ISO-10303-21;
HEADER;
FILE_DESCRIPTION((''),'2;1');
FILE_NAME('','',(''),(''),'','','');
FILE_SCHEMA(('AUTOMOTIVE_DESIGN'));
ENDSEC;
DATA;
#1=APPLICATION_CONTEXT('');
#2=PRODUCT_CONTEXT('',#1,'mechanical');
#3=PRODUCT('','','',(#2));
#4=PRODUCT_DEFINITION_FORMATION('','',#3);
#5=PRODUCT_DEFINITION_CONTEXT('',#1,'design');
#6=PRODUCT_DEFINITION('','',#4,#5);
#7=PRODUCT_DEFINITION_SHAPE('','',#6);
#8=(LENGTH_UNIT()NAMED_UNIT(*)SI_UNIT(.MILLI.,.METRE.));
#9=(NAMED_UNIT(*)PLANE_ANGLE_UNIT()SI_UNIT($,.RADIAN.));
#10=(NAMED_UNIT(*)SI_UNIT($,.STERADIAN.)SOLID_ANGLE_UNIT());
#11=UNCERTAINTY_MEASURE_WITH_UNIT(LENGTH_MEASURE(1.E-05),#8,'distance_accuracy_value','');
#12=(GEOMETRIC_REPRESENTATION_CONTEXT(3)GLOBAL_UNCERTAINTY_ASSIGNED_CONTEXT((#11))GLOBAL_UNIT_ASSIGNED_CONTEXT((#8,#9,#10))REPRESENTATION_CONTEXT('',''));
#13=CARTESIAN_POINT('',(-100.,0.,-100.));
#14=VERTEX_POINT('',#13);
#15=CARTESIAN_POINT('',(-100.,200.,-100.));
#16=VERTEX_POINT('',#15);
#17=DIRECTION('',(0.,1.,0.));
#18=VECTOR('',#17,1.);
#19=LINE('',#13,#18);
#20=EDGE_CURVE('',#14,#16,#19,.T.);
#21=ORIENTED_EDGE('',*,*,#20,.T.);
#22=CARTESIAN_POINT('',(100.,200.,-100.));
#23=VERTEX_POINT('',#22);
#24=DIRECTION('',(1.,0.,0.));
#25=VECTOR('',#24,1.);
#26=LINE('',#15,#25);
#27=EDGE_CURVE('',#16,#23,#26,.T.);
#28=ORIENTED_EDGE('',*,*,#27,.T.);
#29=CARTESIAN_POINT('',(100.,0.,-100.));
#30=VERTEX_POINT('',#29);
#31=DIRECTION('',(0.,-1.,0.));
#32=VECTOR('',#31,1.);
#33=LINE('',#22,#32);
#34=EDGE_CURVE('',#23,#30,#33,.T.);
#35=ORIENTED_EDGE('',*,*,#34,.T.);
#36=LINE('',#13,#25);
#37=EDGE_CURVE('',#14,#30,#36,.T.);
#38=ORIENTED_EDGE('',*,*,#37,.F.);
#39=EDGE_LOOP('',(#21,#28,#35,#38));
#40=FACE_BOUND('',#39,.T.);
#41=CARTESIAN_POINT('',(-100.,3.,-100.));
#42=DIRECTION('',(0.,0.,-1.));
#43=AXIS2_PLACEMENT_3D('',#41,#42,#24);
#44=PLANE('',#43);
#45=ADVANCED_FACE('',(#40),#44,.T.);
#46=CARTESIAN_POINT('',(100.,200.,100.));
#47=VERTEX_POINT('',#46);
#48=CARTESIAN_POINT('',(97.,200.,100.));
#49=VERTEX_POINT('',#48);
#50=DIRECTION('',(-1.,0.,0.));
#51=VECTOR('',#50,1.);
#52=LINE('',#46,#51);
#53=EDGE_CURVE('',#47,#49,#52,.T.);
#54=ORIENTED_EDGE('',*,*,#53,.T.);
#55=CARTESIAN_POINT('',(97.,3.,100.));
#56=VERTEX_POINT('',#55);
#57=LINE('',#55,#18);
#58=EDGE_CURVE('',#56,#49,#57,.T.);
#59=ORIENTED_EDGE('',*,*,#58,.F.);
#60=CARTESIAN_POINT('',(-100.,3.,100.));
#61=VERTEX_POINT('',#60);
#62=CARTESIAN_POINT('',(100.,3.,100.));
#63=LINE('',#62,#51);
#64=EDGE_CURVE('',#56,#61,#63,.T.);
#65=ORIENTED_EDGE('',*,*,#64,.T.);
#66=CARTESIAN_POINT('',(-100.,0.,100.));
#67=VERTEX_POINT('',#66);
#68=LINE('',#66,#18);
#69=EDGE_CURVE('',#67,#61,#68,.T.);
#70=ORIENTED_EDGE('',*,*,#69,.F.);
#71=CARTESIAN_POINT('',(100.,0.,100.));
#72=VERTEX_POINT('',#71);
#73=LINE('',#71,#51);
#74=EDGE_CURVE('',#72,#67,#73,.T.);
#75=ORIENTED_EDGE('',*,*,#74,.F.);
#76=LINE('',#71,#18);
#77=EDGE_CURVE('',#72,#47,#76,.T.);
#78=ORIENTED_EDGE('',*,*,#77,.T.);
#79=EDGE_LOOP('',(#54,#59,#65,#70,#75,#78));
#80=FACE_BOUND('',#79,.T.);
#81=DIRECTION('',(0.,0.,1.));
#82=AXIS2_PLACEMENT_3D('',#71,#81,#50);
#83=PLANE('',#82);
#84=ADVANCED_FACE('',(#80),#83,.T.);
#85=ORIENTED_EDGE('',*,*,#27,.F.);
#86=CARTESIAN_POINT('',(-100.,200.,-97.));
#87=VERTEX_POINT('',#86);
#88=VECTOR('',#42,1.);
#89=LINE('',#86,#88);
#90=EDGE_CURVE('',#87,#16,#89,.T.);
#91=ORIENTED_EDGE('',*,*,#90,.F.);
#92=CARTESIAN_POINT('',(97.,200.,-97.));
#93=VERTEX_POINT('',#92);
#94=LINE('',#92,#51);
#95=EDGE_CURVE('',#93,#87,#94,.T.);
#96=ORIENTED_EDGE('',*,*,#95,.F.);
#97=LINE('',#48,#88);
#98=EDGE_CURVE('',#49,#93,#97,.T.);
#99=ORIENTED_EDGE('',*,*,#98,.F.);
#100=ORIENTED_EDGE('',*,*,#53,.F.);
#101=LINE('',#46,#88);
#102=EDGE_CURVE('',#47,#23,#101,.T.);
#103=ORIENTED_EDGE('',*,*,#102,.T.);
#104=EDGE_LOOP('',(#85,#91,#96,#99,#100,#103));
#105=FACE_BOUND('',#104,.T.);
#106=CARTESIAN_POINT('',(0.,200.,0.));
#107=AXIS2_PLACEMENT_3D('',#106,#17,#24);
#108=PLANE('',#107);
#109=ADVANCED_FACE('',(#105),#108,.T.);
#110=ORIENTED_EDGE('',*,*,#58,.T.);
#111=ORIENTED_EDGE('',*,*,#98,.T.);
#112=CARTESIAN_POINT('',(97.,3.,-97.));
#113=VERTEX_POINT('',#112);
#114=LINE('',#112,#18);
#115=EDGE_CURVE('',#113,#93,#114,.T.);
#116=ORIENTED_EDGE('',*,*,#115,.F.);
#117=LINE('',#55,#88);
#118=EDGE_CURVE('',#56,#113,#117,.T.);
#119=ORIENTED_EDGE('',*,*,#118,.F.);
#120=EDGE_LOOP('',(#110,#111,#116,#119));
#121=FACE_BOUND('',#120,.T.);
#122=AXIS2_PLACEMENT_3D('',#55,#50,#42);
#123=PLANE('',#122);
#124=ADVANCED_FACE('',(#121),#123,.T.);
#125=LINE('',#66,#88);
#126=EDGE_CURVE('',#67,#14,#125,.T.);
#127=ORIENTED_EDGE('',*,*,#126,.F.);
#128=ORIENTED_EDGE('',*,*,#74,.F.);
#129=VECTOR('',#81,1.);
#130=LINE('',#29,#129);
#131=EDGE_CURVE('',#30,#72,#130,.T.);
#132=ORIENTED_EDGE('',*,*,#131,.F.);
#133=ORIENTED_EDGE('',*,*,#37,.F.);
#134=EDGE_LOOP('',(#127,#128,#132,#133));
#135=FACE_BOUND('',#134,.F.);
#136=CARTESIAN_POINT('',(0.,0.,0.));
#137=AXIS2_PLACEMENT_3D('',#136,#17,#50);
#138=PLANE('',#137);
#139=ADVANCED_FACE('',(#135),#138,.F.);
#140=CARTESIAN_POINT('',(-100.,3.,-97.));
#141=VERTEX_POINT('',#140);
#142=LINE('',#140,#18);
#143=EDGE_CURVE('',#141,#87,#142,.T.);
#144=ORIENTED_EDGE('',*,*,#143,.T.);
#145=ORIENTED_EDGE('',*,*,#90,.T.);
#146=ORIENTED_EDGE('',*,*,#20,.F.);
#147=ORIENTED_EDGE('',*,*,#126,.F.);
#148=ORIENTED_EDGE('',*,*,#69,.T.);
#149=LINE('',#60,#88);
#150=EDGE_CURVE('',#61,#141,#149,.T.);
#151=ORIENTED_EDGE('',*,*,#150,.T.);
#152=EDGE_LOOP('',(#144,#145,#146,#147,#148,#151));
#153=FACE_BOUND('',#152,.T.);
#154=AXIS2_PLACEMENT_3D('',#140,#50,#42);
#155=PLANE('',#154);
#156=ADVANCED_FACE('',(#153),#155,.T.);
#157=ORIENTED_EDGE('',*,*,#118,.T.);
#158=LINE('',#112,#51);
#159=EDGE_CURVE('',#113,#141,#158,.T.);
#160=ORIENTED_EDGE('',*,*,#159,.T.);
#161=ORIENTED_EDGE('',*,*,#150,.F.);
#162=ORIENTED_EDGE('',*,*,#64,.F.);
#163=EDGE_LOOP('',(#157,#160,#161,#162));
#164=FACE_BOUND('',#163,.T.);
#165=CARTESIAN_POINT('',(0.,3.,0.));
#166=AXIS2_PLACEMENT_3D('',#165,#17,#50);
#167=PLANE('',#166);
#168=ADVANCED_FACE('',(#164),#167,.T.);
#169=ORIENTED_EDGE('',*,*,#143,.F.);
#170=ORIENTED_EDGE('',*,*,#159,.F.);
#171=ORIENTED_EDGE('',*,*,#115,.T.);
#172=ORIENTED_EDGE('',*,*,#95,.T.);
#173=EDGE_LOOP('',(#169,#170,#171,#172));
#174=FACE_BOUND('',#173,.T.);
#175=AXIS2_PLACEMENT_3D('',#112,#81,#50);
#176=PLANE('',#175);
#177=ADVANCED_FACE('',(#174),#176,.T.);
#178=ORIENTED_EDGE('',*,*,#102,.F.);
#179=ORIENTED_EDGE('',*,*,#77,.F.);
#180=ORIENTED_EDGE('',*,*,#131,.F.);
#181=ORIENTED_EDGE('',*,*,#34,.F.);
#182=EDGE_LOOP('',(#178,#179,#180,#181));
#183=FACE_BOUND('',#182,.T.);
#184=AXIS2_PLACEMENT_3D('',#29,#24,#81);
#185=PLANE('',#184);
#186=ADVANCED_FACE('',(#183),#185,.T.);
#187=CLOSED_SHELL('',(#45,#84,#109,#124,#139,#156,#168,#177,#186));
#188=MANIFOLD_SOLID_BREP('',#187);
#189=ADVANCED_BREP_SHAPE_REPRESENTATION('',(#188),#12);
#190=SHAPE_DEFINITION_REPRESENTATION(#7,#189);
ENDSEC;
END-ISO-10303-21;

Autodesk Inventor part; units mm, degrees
ref_plane "YZ Plane" through (0, 0, 0) normal (1, 0, 0) x (0, 1, 0)
ref_plane "XZ Plane" through (0, 0, 0) normal (0, 1, 0) x (-1, 0, 0)
ref_plane "XY Plane" through (0, 0, 0) normal (0, 0, 1) x (1, 0, 0)
sketch "Sketch1" plane through (0, 0, 0) normal (0, 1, 0) x (-1, 0, 0)
  line L0 (100, 100) -> (100, -100)
  line L1 (100, -100) -> (-100, -100)
  line L2 (-100, -100) -> (-100, 100)
  line L3 (-100, 100) -> (100, 100)
  line L4 (100, 100) -> (-100, -100) construction
  line L5 (100, -100) -> (-100, 100) construction
  point P0 (0, 0)
  dimension "d0" = 200
  dimension "d1" = 200
extrude "Extrusion1" add sketch "Sketch1" along normal blind 3
sketch "Sketch3" plane through (0, 3, 0) normal (0, 1, 0) x (1, 0, 0)
  line L0 (100, -100) -> (100, 100) projected
  line L1 (100, 100) -> (100, -100)
  line L2 (100, -100) -> (97, -100)
  line L3 (97, -100) -> (97, 100)
  line L4 (97, 100) -> (100, 100)
  dimension "d4" = 3
extrude "Extrusion2" add sketch "Sketch3" along normal blind 197
sketch "Sketch4" plane through (0, 3, 0) normal (0, 1, 0) x (1, 0, 0)
  line L0 (-100, 100) -> (97, 100)
  line L1 (97, 100) -> (97, 97)
  line L2 (97, 97) -> (-100, 97)
  line L3 (-100, 97) -> (-100, 100)
  dimension "d7" = 3
extrude "Extrusion3" add sketch "Sketch4" along normal blind 197
properties part number "Chassis Constraints"
